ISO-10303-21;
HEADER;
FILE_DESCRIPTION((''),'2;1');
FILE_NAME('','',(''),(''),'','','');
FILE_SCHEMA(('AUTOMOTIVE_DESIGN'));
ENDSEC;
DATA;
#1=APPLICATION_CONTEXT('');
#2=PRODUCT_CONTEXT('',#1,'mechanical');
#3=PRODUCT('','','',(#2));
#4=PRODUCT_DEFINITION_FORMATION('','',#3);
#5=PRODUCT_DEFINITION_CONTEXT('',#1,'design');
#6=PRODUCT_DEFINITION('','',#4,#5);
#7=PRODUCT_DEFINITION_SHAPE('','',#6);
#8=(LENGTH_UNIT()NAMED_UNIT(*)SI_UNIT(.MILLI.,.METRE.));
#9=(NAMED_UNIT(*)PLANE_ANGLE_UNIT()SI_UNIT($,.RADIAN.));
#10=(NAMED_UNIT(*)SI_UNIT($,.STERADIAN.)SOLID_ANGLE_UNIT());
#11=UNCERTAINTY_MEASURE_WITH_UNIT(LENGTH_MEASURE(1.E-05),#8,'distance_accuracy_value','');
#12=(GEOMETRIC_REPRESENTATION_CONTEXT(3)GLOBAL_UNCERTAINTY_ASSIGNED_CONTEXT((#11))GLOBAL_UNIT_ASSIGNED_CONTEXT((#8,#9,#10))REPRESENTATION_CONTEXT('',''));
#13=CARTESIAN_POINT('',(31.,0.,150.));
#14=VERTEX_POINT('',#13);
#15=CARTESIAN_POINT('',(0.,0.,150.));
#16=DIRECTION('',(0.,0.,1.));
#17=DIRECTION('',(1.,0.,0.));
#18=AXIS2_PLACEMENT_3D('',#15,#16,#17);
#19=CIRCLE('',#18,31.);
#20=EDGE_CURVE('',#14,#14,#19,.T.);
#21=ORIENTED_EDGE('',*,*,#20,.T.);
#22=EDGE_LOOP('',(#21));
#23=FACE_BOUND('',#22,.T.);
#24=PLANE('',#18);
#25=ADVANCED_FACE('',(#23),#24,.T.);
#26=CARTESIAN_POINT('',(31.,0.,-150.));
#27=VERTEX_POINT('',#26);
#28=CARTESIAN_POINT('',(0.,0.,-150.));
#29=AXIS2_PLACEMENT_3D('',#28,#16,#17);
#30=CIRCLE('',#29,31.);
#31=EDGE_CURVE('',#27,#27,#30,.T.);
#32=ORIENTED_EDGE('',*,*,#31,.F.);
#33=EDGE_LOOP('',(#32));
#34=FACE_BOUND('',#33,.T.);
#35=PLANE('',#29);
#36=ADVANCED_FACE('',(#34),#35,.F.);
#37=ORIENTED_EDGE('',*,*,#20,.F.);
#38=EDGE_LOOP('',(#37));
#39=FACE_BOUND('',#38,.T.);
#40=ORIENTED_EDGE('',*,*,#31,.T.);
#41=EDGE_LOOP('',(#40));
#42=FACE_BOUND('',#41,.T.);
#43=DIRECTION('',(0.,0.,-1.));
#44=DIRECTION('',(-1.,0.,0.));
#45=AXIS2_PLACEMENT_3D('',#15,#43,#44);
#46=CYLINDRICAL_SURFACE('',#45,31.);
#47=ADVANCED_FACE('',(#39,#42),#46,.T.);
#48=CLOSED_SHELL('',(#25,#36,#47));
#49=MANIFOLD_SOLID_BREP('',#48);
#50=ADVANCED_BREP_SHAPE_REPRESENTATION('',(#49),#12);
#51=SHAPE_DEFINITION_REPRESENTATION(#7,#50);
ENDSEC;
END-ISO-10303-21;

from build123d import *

# Parameters (mm, degrees)
SKETCH1_R           = 31
BOSS_EXTRUDE1_DEPTH = 150


with BuildPart() as part:
    # Sketch1 → Boss-Extrude1 (new, symmetric)
    with BuildSketch(Plane.XY):
        Circle(SKETCH1_R)
    extrude(amount=BOSS_EXTRUDE1_DEPTH, both=True)


solid = part.part
